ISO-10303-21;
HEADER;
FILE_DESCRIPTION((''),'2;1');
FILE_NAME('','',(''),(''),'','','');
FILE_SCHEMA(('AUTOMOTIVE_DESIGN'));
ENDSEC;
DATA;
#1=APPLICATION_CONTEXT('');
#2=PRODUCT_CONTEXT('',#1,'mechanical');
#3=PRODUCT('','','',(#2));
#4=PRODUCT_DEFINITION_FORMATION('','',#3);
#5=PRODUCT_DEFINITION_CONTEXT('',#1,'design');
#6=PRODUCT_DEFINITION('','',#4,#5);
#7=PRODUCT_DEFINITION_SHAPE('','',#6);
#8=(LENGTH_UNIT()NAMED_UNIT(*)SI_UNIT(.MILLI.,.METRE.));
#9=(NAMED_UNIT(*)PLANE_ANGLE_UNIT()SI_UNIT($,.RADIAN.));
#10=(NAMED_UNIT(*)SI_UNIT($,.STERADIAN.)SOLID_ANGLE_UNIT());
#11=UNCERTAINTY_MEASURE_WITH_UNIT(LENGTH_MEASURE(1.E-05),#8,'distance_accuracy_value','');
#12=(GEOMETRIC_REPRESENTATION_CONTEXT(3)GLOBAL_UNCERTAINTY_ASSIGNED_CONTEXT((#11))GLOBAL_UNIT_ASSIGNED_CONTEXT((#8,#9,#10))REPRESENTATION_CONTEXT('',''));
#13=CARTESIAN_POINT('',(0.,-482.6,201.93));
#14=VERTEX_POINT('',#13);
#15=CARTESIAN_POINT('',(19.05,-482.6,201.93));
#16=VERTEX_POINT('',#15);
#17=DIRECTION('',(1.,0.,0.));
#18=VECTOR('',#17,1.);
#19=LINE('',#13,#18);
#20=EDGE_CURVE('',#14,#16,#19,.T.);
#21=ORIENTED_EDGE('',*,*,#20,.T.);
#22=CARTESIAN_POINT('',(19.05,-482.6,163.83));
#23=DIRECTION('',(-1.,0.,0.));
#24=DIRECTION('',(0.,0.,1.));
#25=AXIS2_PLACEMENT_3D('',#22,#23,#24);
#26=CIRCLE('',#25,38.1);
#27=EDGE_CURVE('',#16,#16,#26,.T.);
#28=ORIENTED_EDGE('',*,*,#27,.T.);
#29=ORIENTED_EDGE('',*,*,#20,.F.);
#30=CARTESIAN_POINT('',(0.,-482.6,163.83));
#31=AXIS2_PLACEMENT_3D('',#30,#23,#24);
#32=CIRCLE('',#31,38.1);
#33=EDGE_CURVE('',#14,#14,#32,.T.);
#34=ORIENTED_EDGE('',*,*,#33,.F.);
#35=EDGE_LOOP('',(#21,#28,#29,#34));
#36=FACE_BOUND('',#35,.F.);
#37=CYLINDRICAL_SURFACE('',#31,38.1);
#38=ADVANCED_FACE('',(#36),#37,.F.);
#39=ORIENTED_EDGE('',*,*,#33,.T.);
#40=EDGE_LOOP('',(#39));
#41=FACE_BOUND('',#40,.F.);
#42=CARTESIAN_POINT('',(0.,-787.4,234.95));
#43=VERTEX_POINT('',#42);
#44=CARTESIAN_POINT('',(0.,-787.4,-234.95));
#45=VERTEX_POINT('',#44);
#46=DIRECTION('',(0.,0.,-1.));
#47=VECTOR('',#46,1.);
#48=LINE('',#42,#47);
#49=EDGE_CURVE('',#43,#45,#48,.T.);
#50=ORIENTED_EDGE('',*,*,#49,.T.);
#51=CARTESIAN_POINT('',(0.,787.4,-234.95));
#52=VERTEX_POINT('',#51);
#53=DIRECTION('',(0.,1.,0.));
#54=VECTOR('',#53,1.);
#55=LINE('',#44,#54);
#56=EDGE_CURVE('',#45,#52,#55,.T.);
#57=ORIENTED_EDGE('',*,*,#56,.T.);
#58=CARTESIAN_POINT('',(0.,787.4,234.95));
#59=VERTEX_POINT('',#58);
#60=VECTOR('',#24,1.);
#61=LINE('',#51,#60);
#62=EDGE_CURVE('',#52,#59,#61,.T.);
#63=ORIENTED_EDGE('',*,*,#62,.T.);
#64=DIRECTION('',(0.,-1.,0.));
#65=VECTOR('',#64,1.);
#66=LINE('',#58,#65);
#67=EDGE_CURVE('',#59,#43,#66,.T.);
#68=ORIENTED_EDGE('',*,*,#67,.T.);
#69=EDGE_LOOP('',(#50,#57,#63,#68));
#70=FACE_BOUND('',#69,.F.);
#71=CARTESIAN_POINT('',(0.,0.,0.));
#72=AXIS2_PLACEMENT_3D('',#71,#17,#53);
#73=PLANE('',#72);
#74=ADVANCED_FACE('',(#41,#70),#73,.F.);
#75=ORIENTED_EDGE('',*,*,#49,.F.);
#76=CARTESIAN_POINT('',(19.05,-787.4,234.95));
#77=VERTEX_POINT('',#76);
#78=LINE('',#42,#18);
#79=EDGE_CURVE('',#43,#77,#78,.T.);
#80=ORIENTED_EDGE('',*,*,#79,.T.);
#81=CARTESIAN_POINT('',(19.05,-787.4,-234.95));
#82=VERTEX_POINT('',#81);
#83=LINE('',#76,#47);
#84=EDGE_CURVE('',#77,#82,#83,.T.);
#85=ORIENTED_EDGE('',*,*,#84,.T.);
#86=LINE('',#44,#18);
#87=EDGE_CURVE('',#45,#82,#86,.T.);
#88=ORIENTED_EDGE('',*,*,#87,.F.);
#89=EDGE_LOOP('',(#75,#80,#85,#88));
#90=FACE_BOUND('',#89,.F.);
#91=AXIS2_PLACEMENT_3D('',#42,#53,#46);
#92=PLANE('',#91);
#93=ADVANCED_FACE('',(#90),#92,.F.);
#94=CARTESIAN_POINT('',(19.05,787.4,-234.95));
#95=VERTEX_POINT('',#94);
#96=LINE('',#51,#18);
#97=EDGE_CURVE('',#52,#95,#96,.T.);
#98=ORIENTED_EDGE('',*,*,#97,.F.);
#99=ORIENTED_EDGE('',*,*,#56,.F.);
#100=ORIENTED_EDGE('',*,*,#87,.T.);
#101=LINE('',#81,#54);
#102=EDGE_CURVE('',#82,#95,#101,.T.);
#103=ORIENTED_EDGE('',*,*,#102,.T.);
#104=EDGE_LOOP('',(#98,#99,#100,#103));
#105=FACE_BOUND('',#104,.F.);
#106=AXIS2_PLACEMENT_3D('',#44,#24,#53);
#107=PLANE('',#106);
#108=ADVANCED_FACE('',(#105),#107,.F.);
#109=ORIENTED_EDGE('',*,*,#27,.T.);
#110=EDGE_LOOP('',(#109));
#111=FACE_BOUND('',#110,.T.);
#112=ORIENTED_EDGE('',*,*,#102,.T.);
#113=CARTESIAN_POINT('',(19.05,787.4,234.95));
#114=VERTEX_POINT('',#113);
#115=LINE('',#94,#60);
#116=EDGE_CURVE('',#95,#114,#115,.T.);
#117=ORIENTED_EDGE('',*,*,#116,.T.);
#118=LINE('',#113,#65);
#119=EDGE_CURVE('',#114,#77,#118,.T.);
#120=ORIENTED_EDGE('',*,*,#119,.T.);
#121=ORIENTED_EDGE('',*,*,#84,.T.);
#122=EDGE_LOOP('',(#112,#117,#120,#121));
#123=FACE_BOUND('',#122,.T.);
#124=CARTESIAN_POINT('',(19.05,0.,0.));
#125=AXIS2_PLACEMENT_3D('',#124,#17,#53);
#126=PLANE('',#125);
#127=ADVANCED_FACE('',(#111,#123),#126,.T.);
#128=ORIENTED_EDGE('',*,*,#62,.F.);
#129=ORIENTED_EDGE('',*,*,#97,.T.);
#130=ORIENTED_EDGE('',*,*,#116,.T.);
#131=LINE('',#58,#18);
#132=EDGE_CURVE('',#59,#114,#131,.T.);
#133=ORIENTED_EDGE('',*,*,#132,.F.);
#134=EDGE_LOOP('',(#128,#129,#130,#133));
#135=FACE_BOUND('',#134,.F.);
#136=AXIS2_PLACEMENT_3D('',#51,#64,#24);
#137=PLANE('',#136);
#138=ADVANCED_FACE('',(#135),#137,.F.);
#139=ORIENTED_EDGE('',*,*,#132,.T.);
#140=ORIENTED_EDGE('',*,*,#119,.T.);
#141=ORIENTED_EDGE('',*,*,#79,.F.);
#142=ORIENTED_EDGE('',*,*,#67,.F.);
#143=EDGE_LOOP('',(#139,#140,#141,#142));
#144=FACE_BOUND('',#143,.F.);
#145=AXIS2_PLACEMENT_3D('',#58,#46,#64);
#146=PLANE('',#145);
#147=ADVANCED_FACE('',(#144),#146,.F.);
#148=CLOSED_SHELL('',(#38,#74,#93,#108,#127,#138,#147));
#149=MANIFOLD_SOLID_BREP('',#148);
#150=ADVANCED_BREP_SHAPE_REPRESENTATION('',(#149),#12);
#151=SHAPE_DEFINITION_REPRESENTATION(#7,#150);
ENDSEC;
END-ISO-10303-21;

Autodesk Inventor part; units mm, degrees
ref_plane "YZ Plane" through (0, 0, 0) normal (1, 0, 0) x (0, 1, 0)
ref_plane "XZ Plane" through (0, 0, 0) normal (0, 1, 0) x (-1, 0, 0)
ref_plane "XY Plane" through (0, 0, 0) normal (0, 0, 1) x (1, 0, 0)
sketch "Sketch1" plane through (0, 0, 0) normal (1, 0, 0) x (0, 1, 0)
  line L0 (-787.4, -234.95) -> (787.4, -234.95)
  line L1 (787.4, -234.95) -> (787.4, 234.95)
  line L2 (787.4, 234.95) -> (-787.4, 234.95)
  line L3 (-787.4, 234.95) -> (-787.4, -234.95)
  line L4 (-787.4, -234.95) -> (787.4, 234.95) construction
  line L5 (787.4, -234.95) -> (-787.4, 234.95) construction
  point P0 (0, 0)
  dimension "d0" = 1574.8
  dimension "d1" = 469.9
extrude "Extrusion1" add sketch "Sketch1" along normal blind 19.05
sketch "Sketch2" plane through (0, 0, 0) normal (-1, 0, 0) x (0, 0, 1)
  circle A0 centre (163.83, -482.6) radius 38.1
  line L0 (234.95, 787.4) -> (234.95, -787.4) projected
  line L1 (234.95, -787.4) -> (-234.95, -787.4) projected
  point P0 (0, 0)
  point P1 (0, 0)
  dimension "d5" = 76.2
  dimension "d8" = 71.12
  dimension "d9" = 304.8
extrude "Extrusion2" cut sketch "Sketch2" against normal blind 25.4
properties part number "back board (for assembly)"
